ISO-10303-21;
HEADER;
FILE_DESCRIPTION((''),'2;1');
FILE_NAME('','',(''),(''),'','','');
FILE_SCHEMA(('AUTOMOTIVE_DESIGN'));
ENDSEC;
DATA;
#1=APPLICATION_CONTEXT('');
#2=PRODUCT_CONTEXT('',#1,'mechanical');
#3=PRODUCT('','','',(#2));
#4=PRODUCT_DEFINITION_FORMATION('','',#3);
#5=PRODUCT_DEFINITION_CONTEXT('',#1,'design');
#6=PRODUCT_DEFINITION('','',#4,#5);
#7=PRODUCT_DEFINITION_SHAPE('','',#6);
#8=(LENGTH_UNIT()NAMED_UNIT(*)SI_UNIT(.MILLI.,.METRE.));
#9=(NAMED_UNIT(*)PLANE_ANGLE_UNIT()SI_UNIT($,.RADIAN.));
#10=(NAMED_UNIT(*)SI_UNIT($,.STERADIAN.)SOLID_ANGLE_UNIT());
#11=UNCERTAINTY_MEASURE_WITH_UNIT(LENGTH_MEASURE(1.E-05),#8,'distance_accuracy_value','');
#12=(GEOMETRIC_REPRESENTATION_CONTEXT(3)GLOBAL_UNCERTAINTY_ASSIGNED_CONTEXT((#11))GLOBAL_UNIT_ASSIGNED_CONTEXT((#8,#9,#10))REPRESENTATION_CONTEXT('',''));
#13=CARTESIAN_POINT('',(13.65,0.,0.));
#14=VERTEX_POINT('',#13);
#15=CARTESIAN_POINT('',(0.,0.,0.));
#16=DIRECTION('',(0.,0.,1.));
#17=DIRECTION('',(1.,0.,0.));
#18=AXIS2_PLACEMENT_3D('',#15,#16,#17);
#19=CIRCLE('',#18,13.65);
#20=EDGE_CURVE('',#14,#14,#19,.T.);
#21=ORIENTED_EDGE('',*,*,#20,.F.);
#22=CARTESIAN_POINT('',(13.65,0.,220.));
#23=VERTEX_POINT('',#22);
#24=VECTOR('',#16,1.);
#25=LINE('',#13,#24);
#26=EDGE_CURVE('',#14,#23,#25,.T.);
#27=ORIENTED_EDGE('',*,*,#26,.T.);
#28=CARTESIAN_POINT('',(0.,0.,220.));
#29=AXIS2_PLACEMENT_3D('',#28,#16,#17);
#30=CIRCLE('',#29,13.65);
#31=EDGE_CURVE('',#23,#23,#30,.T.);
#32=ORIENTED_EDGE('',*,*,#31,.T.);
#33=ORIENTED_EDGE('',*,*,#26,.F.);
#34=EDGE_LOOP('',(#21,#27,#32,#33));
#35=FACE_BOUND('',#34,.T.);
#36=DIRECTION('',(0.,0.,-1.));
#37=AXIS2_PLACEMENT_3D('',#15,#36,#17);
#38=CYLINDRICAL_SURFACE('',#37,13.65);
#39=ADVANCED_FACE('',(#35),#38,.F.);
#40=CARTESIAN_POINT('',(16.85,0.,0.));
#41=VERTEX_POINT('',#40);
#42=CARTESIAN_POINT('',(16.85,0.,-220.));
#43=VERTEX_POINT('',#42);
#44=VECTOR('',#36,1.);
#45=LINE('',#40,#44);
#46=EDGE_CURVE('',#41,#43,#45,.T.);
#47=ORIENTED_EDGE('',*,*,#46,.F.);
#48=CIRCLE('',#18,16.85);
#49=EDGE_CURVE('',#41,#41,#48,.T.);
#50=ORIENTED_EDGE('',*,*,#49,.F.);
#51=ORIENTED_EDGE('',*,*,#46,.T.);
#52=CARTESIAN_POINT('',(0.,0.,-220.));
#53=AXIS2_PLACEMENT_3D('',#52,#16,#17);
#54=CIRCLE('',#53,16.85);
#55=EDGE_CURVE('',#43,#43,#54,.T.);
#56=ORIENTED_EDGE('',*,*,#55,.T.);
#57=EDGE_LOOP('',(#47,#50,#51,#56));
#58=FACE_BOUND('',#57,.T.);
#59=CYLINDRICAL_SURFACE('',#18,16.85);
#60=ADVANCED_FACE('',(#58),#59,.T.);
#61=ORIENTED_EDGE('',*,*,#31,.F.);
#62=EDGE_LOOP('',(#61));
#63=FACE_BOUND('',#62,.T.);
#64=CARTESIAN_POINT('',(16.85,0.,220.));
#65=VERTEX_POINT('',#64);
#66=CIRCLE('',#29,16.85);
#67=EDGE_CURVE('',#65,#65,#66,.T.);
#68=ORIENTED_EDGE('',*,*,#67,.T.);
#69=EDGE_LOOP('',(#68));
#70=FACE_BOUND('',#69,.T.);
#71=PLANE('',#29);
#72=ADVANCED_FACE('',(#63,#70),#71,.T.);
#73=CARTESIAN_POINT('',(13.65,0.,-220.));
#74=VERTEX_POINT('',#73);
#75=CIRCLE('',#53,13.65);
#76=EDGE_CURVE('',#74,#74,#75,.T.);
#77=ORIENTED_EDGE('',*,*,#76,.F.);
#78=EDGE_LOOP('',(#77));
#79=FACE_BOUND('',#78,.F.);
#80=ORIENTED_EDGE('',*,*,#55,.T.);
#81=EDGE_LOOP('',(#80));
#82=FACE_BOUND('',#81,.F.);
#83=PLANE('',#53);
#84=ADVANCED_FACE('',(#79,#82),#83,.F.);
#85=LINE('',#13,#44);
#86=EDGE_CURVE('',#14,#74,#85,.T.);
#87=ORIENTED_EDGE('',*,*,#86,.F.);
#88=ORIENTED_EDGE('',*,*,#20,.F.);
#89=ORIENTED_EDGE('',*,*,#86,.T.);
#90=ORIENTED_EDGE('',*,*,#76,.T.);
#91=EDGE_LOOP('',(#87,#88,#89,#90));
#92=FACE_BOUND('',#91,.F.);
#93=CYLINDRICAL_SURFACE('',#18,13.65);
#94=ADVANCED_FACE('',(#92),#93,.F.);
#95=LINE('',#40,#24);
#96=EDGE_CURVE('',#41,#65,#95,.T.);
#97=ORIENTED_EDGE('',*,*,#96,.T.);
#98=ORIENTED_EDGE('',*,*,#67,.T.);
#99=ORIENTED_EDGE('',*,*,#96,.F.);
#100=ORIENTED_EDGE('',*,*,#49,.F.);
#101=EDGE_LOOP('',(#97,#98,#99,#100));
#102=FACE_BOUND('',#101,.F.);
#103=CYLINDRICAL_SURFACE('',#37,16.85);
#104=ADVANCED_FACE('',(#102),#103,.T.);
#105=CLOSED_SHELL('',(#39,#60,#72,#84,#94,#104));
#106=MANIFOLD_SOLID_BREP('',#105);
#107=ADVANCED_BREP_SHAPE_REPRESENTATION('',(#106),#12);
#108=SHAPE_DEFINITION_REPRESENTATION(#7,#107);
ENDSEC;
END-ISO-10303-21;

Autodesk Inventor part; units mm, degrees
ref_plane "YZ Plane" through (0, 0, 0) normal (1, 0, 0) x (0, 1, 0)
ref_plane "XZ Plane" through (0, 0, 0) normal (0, 1, 0) x (-1, 0, 0)
ref_plane "XY Plane" through (0, 0, 0) normal (0, 0, 1) x (1, 0, 0)
sketch "Sketch1" plane through (0, 0, 0) normal (0, 0, 1) x (1, 0, 0)
  circle A0 centre (0, 0) radius 16.85
  circle A1 centre (0, 0) radius 13.65
  dimension "OD" = 33.7
  dimension "t" = 3.2
extrude "Extrusion1" add sketch "Sketch1" along normal mid plane 440
equation "\"size\" = 6"
properties part number "tube-18"
